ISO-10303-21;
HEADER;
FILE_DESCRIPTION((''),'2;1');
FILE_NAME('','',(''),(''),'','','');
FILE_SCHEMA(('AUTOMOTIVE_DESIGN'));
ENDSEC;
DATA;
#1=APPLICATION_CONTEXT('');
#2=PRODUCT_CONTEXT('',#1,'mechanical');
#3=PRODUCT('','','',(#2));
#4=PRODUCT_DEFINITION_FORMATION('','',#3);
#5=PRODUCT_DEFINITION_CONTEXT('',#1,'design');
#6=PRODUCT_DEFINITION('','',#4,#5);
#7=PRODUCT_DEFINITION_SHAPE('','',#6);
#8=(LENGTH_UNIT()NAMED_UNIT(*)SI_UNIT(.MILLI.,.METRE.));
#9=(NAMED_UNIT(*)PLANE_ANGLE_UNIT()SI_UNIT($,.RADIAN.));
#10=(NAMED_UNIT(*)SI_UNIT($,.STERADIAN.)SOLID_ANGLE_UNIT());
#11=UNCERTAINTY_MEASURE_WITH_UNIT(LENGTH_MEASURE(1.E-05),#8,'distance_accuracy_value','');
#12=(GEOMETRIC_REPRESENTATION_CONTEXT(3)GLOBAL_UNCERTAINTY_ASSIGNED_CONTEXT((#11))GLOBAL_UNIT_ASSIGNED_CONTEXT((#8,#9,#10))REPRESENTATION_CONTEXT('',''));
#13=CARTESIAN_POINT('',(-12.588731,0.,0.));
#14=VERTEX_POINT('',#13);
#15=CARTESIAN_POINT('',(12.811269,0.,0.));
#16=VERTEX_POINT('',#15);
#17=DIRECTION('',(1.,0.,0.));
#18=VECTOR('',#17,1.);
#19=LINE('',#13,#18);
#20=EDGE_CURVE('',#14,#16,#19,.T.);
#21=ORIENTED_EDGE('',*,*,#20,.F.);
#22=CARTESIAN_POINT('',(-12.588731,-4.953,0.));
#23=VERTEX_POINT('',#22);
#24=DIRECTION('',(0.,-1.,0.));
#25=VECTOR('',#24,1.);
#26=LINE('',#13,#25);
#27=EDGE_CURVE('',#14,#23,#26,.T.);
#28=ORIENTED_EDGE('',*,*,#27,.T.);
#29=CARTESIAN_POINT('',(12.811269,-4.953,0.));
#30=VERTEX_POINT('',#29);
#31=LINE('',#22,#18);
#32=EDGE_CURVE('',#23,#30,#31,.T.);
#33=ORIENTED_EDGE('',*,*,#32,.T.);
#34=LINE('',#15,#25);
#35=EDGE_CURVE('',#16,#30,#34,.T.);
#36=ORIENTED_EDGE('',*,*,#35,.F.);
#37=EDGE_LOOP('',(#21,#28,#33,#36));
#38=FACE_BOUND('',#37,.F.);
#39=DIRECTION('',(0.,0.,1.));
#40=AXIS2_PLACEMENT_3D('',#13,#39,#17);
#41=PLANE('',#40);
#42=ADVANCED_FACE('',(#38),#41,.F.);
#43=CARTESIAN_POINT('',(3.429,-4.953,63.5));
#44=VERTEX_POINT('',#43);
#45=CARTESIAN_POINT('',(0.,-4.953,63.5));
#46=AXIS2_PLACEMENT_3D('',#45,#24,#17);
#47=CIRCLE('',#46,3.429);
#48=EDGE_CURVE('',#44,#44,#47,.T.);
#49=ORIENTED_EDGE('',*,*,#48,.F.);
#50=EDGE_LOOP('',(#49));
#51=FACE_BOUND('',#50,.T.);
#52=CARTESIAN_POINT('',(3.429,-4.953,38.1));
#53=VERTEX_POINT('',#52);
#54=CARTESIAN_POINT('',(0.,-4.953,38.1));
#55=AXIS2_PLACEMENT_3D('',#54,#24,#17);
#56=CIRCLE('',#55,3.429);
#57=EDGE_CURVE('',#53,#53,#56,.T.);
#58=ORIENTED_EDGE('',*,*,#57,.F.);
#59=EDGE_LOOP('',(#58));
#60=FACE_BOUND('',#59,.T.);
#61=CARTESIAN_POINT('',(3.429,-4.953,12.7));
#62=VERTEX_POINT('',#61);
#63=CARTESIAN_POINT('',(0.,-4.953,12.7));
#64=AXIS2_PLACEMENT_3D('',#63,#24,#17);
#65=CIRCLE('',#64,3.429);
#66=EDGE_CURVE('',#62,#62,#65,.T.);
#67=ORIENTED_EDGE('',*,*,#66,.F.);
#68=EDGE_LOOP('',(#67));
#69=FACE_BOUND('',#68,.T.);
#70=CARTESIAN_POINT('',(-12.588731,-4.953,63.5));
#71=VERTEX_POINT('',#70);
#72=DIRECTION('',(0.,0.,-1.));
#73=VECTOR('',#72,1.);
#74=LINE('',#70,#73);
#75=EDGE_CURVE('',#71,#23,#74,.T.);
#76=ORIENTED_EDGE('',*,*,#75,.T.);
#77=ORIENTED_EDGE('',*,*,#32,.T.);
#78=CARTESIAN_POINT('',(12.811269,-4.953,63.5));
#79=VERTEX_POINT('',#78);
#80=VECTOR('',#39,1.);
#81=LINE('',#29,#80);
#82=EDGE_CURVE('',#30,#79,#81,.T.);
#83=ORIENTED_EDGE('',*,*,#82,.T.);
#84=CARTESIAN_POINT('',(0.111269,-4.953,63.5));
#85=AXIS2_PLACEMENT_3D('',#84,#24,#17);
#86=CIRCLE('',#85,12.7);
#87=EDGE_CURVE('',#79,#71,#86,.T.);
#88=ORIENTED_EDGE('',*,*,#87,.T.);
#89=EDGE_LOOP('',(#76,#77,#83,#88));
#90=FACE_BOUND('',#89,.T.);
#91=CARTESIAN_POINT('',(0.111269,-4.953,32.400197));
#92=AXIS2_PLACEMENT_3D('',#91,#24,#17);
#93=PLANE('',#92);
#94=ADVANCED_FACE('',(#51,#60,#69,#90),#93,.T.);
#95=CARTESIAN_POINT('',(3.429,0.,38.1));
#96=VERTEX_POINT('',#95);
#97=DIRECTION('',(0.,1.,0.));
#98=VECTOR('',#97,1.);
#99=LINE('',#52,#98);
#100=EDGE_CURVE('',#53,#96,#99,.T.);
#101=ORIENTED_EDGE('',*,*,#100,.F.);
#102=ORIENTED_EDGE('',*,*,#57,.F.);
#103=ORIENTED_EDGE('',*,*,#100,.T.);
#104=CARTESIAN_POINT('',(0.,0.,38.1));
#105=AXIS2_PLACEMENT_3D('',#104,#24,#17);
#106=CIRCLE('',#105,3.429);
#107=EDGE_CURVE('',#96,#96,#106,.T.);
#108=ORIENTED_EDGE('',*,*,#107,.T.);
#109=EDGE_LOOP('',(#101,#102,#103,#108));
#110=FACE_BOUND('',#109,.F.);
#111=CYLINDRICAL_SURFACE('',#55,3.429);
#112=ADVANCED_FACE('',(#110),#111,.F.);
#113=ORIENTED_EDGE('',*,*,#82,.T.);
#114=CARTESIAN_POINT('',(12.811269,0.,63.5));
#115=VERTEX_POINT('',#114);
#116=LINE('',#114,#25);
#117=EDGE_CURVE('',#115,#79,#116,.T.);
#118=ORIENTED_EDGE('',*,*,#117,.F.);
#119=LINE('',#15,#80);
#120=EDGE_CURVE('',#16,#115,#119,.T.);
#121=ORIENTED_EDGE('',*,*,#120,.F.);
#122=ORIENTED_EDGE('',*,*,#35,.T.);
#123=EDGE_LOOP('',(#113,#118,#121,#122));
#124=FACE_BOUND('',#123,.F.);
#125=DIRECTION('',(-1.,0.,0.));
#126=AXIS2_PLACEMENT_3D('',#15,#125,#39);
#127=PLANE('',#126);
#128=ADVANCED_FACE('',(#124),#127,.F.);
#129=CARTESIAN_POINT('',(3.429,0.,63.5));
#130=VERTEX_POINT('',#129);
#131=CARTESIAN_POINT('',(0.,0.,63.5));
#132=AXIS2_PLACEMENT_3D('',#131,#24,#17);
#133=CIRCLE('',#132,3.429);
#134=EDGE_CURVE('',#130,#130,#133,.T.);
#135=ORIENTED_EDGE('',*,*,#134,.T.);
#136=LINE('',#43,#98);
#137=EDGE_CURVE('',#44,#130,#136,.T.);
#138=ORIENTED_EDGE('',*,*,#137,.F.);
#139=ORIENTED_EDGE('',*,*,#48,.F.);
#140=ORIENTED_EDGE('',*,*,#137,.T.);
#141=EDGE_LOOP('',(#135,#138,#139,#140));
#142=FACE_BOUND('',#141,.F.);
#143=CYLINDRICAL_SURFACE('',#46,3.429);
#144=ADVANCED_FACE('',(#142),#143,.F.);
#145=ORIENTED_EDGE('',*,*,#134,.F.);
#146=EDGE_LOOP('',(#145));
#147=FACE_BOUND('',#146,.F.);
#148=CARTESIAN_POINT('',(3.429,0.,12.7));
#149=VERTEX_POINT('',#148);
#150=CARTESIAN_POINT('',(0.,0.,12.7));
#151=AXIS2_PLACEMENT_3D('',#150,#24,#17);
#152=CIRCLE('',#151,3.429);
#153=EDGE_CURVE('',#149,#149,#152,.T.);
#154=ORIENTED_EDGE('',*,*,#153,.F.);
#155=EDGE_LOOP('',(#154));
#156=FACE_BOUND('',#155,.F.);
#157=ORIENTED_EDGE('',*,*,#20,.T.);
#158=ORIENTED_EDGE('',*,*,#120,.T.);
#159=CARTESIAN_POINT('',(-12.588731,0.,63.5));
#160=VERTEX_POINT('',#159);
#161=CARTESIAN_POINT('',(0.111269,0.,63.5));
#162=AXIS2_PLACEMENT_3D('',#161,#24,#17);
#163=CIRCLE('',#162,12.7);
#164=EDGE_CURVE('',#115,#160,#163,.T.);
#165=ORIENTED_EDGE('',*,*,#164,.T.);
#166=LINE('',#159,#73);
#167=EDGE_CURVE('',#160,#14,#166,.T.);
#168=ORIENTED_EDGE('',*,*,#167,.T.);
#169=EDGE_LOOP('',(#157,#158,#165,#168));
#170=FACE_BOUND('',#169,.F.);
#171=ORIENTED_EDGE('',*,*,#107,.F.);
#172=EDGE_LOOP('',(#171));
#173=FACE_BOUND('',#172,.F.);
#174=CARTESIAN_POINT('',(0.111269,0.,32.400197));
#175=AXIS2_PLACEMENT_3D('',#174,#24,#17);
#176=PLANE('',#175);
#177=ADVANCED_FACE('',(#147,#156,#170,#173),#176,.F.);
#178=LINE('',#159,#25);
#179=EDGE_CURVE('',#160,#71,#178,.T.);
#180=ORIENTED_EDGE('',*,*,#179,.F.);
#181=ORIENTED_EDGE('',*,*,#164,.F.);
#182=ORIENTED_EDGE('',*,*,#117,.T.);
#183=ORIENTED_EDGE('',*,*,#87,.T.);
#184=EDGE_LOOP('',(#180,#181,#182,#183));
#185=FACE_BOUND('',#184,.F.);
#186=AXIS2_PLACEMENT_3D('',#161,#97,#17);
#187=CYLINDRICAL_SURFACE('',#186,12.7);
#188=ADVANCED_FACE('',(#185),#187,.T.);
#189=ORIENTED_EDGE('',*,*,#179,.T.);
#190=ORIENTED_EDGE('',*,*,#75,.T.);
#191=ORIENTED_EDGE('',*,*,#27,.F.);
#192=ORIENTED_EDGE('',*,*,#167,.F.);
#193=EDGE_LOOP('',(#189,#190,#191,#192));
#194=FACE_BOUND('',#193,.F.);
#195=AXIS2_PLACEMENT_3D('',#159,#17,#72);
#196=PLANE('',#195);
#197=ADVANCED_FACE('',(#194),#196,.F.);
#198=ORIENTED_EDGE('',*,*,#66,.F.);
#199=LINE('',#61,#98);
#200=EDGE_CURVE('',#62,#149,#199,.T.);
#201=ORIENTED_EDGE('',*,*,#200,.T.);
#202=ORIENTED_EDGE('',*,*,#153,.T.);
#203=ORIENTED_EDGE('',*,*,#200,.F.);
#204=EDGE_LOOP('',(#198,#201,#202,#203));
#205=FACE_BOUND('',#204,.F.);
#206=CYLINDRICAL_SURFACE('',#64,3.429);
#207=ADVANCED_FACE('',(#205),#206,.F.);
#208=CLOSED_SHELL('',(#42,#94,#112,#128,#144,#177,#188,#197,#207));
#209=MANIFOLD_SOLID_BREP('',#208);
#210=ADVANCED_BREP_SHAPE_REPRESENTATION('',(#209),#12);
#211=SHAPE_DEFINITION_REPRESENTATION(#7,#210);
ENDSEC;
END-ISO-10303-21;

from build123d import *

# Parameters (mm, degrees)
F1_DEPTH = 4.953
F2_R     = 3.429
F3_DEPTH = 25.4


with BuildPart() as f1:
    # F0 (on Front) → F1 (new body)
    with BuildSketch(Plane.XZ):
        with BuildLine():
            Line((-12.5887309267, 0), (12.8112690733, 0))
            Line((12.8112690733, 0), (12.8112690733, 63.5))
            ThreePointArc((12.8112690733, 63.5), (0.1112690733, 50.8), (-12.5887309267, 63.5))
            Line((-12.5887309267, 63.5), (-12.5887309267, 0))
        make_face()
        with BuildLine():
            ThreePointArc((-12.5887309267, 63.5), (0.1112690733, 50.8), (12.8112690733, 63.5))
            Line((12.8112690733, 63.5), (-12.5887309267, 63.5))
        make_face()
        with BuildLine():
            Line((-12.5887309267, 63.5), (12.8112690733, 63.5))
            ThreePointArc((12.8112690733, 63.5), (0.1112690733, 76.2), (-12.5887309267, 63.5))
        make_face()
    extrude(amount=F1_DEPTH)

    # F2 (on face) → F3 (cut)
    with BuildSketch(Plane.XZ.offset(4.953)):
        with Locations((0, 12.7)):
            Circle(F2_R)
        with Locations((0, 38.1)):
            Circle(F2_R)
        with Locations((0, 63.5)):
            Circle(F2_R)
    extrude(amount=-F3_DEPTH, mode=Mode.SUBTRACT)


solid = f1.part
